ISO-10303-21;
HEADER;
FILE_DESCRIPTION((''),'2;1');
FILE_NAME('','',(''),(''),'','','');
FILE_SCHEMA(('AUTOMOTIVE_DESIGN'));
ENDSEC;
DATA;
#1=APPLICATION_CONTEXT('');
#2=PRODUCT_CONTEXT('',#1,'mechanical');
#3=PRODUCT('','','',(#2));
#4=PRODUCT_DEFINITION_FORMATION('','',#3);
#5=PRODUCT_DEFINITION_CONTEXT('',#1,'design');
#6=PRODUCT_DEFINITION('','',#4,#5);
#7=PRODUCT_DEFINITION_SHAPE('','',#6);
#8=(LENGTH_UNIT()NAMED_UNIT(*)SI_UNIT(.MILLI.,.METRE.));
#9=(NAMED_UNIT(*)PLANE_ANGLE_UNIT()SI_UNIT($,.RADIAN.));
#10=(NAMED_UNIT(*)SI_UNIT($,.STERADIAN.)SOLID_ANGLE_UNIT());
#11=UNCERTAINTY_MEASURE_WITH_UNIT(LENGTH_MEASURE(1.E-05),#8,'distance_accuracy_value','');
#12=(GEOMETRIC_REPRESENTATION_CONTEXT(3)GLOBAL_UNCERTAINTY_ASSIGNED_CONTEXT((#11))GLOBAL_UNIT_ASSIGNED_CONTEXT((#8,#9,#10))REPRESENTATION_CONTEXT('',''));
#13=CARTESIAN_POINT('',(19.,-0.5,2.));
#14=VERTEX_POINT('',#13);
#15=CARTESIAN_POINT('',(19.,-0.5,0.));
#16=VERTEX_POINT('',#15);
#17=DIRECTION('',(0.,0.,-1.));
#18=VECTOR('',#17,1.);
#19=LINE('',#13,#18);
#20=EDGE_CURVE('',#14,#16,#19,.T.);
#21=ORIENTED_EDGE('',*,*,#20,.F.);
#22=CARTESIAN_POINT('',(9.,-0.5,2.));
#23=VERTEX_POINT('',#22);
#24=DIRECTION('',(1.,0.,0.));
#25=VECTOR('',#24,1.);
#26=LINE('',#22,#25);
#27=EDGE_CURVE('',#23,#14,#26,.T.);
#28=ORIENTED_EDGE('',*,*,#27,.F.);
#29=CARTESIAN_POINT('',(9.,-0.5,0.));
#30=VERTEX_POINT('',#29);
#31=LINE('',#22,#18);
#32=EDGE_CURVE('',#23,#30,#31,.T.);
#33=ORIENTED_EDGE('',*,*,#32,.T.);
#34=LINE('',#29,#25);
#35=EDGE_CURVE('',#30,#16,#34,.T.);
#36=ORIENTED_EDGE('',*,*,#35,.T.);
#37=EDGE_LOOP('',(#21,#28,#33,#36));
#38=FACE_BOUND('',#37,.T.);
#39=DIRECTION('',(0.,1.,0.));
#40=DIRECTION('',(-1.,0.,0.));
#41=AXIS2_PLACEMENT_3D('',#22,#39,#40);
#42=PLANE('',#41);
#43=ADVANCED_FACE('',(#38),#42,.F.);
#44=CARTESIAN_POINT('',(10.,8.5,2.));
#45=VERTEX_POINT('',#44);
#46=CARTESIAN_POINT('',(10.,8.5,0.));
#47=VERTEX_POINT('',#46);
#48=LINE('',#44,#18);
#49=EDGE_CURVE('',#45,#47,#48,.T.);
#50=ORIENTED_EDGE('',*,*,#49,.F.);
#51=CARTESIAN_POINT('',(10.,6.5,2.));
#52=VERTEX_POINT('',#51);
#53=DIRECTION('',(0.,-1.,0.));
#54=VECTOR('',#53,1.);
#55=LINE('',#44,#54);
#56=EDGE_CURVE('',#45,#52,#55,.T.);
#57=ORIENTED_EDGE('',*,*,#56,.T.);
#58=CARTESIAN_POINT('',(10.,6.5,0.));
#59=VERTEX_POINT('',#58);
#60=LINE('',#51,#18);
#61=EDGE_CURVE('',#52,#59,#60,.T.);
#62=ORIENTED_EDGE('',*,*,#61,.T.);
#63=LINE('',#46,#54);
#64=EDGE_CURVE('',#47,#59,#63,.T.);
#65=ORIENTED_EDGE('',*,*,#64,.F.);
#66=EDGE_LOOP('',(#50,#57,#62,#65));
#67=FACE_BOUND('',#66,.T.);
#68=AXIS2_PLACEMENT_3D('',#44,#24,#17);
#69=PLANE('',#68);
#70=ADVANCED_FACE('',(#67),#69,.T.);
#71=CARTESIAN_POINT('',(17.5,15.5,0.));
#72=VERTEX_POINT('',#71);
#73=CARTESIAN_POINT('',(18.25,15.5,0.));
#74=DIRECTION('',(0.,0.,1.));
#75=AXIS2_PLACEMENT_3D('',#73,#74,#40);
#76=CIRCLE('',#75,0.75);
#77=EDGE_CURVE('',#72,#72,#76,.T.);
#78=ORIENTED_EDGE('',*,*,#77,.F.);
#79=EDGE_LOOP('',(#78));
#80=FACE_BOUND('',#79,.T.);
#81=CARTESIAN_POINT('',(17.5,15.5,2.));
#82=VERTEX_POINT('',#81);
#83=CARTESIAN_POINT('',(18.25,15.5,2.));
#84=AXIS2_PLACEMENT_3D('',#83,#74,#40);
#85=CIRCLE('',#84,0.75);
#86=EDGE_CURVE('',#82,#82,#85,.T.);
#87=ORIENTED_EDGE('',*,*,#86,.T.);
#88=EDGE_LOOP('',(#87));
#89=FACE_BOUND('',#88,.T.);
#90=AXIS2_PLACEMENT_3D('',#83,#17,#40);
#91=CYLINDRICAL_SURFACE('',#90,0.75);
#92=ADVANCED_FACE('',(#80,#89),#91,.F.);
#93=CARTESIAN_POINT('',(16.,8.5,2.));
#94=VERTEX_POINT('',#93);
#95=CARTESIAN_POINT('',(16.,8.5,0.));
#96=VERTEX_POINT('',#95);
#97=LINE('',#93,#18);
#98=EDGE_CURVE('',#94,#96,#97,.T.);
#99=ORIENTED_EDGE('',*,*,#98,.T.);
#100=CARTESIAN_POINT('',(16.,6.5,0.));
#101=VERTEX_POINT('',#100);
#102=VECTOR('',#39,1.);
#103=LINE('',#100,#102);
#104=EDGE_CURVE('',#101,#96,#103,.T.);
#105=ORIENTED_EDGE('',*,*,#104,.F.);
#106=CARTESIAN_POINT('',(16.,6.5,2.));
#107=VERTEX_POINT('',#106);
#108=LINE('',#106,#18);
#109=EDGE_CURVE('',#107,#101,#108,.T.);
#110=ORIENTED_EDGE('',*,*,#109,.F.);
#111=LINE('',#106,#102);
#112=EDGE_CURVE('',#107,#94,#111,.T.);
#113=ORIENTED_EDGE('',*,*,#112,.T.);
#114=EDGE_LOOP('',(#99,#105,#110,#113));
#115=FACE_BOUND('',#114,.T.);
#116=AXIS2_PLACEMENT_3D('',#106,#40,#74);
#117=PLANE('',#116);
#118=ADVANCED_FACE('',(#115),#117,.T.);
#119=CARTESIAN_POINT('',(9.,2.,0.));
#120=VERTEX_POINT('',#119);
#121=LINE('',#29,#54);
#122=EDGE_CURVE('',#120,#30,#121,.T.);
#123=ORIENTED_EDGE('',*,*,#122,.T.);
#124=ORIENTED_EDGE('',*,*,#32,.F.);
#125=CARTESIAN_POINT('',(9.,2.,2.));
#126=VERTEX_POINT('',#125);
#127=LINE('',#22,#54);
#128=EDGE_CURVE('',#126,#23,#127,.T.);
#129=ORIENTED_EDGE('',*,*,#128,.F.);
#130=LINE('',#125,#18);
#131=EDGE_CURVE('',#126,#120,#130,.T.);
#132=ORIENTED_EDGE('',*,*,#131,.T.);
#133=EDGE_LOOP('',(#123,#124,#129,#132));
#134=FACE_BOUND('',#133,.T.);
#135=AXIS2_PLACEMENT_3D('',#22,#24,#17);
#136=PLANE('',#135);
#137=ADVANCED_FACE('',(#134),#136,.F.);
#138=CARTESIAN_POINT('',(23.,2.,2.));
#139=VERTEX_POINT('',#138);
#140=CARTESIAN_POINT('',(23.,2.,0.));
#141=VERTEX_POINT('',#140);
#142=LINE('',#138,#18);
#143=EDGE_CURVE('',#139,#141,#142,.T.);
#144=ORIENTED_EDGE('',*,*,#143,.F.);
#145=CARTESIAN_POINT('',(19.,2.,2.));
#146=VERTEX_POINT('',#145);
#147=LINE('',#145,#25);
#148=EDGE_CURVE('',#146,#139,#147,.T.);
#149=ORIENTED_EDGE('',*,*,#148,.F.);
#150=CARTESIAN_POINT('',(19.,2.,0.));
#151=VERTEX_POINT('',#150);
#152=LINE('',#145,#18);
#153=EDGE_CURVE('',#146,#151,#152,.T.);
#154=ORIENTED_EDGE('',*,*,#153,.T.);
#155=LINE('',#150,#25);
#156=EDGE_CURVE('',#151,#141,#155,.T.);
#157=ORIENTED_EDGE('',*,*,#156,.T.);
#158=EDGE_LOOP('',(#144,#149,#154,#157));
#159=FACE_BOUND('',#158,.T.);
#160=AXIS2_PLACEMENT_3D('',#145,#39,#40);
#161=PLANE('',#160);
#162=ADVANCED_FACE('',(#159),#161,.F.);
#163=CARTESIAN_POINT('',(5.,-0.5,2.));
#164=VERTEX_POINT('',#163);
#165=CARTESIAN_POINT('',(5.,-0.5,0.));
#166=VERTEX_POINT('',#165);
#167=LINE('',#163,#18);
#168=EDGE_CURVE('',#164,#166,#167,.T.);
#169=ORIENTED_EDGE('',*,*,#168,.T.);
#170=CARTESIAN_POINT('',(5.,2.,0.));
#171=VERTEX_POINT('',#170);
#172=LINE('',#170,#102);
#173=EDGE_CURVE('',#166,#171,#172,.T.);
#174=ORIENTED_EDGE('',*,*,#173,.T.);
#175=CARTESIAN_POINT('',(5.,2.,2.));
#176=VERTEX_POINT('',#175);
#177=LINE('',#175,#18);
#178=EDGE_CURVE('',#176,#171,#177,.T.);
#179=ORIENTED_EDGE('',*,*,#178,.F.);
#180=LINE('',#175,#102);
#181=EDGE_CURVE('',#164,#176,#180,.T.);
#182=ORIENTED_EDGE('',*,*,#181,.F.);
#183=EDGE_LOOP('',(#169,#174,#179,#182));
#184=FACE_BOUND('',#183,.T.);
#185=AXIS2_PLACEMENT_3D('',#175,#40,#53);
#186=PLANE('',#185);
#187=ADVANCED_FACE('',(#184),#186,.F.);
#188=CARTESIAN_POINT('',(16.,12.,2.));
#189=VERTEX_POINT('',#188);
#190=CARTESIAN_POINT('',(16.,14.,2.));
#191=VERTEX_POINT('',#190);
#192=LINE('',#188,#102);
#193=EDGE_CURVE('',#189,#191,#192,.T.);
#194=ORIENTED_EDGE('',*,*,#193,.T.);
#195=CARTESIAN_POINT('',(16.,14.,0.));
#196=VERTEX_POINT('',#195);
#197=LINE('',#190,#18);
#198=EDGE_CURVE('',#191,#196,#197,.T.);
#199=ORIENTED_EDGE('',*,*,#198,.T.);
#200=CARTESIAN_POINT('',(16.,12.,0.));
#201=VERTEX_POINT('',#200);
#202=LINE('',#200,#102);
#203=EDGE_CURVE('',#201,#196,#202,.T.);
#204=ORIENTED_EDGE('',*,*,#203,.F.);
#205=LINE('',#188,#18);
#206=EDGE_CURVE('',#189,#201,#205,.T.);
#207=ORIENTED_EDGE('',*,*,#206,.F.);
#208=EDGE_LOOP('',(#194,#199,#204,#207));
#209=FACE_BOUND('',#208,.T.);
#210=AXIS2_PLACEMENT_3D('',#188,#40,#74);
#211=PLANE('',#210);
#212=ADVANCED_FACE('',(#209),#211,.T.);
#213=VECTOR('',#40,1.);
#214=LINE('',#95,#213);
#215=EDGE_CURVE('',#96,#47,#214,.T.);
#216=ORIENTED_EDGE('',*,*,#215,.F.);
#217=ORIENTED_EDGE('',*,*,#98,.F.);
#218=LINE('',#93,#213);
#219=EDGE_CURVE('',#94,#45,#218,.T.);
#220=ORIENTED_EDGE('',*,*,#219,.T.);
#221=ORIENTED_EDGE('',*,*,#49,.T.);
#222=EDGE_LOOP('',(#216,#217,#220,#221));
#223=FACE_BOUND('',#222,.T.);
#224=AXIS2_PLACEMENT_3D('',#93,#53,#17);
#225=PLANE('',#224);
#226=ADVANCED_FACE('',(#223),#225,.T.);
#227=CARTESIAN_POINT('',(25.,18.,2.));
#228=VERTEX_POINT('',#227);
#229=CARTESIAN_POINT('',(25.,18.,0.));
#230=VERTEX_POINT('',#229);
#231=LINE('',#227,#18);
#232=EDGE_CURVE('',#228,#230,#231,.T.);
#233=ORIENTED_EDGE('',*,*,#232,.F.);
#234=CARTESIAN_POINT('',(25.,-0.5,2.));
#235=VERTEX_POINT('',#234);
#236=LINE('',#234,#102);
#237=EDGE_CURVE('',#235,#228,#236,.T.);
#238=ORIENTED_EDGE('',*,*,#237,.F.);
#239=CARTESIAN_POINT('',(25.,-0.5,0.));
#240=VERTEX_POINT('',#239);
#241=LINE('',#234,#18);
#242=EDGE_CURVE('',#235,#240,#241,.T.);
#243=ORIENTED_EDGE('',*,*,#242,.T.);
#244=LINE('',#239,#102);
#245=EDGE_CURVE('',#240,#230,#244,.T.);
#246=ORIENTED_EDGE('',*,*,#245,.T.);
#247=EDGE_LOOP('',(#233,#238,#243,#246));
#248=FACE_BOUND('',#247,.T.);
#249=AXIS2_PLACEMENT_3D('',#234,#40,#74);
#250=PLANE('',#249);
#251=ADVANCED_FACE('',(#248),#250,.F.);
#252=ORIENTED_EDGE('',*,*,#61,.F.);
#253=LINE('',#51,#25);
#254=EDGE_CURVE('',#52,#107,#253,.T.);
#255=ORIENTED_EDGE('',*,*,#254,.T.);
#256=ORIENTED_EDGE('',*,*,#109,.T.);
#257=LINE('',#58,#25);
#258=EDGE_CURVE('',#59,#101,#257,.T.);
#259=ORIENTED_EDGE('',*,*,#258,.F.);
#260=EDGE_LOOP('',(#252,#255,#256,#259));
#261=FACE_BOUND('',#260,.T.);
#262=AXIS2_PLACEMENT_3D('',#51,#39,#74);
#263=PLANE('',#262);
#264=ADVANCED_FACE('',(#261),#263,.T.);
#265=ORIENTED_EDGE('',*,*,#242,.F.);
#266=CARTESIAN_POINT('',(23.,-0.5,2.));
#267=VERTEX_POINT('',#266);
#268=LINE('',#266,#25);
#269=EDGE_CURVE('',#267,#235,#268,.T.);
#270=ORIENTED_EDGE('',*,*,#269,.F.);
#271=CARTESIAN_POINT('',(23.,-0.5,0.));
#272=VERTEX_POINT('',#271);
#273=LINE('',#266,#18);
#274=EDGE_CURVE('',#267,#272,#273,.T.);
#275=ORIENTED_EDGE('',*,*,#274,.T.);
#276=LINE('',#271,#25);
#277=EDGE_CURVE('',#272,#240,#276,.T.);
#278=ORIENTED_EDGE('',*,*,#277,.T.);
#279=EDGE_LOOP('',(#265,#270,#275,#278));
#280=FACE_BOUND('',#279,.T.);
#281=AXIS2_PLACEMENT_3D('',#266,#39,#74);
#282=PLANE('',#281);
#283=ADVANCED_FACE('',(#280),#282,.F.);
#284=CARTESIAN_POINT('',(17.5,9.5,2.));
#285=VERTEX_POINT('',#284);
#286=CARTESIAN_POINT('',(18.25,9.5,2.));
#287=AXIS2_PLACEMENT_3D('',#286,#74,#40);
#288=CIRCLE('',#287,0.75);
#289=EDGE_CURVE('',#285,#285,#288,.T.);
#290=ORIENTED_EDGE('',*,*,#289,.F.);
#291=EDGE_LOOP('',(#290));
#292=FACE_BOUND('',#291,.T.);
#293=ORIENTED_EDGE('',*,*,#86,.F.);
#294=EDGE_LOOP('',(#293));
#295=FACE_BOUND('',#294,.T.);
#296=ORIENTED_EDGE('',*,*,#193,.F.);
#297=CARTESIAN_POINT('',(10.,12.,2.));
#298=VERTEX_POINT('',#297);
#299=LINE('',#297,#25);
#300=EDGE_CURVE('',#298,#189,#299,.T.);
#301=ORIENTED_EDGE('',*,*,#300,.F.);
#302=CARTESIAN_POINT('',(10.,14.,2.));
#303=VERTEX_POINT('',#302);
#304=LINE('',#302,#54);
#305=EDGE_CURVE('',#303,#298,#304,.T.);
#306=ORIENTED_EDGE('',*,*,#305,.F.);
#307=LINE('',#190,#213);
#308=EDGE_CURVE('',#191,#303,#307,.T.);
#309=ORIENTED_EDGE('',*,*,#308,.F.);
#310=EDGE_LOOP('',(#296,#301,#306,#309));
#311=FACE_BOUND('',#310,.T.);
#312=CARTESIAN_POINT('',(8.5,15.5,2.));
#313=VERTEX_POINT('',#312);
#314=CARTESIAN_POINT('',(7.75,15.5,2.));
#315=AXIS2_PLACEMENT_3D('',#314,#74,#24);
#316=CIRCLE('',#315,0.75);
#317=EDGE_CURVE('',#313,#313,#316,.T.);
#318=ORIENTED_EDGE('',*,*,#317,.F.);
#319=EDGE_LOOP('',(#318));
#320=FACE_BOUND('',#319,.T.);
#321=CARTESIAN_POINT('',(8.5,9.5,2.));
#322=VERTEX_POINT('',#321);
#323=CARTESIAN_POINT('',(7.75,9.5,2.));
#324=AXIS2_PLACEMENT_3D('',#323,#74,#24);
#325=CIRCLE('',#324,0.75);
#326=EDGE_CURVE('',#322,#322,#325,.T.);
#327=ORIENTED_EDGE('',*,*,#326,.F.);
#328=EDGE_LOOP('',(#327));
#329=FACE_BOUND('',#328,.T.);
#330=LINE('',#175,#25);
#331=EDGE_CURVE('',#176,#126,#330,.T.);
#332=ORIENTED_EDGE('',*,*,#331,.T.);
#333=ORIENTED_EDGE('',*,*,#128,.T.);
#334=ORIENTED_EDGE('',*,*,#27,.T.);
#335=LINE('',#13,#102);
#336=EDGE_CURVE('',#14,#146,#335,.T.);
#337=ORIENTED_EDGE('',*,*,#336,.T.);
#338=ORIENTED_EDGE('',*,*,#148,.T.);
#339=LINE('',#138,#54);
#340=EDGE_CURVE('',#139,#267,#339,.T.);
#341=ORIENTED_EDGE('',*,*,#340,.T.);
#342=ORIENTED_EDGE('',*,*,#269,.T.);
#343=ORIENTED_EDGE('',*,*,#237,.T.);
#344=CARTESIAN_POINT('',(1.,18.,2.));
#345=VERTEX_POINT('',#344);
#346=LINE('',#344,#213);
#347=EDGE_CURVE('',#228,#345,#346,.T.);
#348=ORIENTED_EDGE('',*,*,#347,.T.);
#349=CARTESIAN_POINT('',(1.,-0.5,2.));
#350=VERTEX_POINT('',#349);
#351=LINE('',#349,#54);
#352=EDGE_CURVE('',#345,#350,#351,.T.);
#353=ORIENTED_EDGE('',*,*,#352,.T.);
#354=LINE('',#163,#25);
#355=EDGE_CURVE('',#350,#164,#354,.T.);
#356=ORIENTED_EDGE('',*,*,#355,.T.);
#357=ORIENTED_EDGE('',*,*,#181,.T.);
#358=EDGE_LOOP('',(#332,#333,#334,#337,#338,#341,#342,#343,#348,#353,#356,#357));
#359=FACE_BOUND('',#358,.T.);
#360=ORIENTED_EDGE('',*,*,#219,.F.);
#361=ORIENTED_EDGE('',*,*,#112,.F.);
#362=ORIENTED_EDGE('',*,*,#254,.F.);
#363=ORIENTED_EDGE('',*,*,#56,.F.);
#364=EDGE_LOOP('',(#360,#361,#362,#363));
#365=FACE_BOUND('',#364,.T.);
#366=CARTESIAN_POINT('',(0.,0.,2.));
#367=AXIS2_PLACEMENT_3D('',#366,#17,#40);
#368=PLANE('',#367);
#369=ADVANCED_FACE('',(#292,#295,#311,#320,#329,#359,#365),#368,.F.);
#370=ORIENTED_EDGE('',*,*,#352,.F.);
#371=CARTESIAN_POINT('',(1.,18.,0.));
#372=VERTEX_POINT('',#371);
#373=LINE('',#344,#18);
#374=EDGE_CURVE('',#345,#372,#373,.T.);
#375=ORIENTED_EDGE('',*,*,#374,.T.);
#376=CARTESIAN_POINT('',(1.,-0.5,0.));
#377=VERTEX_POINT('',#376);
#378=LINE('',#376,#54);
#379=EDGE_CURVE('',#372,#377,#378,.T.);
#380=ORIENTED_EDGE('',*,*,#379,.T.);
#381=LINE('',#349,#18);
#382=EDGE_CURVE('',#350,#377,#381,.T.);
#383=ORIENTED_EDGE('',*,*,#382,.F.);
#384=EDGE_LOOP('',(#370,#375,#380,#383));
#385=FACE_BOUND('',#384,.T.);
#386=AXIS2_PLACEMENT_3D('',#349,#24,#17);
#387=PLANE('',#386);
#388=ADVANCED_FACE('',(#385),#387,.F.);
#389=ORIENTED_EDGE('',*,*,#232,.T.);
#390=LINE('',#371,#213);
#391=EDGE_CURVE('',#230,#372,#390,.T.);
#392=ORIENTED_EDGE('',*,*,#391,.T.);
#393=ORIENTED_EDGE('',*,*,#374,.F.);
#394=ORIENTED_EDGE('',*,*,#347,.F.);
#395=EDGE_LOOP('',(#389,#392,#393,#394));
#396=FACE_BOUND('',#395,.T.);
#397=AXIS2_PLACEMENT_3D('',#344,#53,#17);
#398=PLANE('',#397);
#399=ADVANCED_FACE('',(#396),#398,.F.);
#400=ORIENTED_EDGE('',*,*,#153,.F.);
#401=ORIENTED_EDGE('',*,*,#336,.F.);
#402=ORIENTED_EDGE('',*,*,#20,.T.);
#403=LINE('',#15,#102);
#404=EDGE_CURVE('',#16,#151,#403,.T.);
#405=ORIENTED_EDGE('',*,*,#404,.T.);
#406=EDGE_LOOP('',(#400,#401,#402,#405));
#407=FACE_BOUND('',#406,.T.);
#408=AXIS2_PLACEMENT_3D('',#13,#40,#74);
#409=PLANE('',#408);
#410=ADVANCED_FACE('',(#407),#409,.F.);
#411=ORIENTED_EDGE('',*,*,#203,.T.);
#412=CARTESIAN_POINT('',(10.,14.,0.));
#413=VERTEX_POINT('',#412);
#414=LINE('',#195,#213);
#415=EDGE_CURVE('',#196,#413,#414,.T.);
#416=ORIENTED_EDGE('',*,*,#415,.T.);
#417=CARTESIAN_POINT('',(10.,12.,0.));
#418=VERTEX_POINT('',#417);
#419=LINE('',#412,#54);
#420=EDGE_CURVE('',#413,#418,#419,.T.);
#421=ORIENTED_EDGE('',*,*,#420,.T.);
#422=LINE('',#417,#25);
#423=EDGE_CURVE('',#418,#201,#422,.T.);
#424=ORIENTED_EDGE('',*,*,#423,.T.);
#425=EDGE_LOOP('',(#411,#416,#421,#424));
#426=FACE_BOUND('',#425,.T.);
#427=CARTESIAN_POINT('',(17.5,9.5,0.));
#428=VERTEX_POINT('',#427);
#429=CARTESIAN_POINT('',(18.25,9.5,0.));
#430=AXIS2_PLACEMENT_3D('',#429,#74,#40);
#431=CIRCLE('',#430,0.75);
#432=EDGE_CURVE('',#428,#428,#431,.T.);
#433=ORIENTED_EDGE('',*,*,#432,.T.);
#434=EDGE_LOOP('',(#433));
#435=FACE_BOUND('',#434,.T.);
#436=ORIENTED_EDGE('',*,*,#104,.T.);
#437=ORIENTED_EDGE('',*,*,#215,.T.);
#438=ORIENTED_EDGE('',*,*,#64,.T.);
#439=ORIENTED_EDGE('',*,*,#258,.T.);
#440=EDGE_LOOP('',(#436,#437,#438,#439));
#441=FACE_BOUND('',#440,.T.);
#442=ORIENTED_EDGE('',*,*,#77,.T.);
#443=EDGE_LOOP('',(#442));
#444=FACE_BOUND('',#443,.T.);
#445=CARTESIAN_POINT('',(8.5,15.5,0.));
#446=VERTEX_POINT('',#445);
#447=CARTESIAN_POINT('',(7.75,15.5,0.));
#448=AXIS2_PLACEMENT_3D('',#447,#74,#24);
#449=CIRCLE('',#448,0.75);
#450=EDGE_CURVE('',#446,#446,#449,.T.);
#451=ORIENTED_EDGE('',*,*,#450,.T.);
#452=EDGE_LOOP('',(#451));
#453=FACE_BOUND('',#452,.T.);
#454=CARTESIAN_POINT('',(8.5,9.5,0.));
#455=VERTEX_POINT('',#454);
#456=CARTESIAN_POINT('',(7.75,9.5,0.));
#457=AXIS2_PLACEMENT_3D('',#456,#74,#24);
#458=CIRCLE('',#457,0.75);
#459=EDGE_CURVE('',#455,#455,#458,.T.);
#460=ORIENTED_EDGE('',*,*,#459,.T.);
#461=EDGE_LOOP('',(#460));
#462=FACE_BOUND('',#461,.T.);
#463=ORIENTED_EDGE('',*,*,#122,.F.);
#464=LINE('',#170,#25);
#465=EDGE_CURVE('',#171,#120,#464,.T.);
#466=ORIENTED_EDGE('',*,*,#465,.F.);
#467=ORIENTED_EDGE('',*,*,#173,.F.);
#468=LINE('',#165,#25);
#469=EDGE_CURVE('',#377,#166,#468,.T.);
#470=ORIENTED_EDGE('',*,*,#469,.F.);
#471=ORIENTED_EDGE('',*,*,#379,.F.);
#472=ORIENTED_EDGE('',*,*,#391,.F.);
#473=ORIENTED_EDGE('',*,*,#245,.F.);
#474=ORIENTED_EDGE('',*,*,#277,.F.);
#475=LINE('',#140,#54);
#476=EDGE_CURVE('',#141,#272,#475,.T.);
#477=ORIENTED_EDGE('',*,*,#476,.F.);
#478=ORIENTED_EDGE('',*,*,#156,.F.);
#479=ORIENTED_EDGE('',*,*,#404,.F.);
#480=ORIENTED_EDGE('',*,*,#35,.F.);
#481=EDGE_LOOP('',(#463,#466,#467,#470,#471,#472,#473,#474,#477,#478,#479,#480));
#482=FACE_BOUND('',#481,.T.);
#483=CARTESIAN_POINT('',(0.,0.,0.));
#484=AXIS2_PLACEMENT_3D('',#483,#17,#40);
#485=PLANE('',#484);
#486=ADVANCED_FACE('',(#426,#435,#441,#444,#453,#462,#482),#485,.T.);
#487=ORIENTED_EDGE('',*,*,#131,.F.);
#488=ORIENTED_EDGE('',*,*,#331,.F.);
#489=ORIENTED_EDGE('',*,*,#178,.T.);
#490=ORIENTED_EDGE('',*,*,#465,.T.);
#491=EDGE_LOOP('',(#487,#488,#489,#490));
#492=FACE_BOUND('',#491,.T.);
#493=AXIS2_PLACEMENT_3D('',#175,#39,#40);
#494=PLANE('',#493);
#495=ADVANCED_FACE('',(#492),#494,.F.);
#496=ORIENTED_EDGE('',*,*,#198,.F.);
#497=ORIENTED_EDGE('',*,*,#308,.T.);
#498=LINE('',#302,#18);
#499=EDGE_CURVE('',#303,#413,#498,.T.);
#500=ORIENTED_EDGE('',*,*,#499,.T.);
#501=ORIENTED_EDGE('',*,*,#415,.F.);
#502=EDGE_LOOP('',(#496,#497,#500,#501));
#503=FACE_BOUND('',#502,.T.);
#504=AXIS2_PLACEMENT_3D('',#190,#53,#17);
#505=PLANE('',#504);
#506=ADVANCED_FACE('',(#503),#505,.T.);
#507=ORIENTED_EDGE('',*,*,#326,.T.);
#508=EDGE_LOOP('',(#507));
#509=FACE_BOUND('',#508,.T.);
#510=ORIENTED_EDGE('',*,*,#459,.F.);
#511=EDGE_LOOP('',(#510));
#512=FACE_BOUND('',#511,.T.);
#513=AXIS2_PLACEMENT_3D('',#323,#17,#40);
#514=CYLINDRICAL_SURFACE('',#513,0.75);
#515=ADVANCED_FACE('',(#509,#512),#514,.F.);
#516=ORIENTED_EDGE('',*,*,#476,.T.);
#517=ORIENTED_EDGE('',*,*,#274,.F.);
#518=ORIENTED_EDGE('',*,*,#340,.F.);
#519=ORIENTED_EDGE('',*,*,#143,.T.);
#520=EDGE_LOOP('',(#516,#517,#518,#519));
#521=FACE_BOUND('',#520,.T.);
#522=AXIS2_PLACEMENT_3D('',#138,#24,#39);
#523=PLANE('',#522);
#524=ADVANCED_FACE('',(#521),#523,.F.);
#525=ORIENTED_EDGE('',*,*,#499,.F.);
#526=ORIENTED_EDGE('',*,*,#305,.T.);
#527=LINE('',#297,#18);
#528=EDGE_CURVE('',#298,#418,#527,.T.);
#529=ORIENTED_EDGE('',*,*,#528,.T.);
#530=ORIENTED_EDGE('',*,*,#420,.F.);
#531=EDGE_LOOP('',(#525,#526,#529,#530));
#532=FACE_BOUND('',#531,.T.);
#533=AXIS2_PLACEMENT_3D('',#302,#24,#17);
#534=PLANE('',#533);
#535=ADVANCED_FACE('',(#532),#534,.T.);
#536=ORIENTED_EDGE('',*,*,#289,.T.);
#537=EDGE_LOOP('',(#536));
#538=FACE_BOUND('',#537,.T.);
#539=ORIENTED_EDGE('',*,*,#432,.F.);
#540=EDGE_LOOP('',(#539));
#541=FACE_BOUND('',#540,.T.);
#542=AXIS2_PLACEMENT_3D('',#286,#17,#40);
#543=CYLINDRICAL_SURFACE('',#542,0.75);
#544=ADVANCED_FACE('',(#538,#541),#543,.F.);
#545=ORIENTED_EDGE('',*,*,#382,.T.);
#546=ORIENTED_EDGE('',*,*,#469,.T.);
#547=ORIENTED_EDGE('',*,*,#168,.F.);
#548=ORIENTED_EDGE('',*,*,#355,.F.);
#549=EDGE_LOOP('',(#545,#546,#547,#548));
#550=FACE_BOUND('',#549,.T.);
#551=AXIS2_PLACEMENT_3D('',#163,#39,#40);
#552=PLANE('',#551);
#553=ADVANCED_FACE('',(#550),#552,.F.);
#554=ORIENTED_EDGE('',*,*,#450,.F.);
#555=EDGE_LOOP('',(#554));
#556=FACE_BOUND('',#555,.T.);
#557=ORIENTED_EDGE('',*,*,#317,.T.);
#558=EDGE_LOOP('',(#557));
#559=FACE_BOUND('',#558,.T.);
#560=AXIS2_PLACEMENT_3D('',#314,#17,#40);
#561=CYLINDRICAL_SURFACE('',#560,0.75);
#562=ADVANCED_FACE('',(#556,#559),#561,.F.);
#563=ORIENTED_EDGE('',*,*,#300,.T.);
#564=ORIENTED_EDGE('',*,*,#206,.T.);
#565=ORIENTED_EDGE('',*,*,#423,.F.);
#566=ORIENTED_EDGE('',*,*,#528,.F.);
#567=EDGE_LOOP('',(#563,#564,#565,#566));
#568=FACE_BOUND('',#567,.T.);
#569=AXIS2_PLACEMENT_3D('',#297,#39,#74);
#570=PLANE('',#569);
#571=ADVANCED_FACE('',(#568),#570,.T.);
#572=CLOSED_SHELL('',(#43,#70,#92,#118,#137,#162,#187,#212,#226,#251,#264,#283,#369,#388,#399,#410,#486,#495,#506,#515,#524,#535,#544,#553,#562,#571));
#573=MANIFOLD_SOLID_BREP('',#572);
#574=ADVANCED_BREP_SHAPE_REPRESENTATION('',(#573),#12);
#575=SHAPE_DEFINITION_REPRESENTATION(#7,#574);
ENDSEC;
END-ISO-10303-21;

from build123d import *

# Parameters (mm, degrees)
SKETCH1_R           = 0.75
SKETCH1_W           = 6
SKETCH1_H           = 2
BOSS_EXTRUDE1_DEPTH = 2


with BuildPart() as part:
    # Sketch1 → Boss-Extrude1 (new body)
    with BuildSketch(Plane.XY):
        Polygon((5, 2), (9, 2), (9, -0.5), (19, -0.5), (19, 2), (23, 2), (23, -0.5), (25, -0.5), (25, 18), (1, 18), (1, -0.5), (5, -0.5), align=None)
        with Locations((7.75, 15.5)):
            Circle(SKETCH1_R, mode=Mode.SUBTRACT)
        with Locations((18.25, 15.5)):
            Circle(SKETCH1_R, mode=Mode.SUBTRACT)
        with Locations((18.25, 9.5)):
            Circle(SKETCH1_R, mode=Mode.SUBTRACT)
        with Locations((7.75, 9.5)):
            Circle(SKETCH1_R, mode=Mode.SUBTRACT)
        with Locations((13, 13)):
            Rectangle(SKETCH1_W, SKETCH1_H, mode=Mode.SUBTRACT)
        with Locations((13, 7.5)):
            Rectangle(SKETCH1_W, SKETCH1_H, mode=Mode.SUBTRACT)
    extrude(amount=BOSS_EXTRUDE1_DEPTH)


solid = part.part
